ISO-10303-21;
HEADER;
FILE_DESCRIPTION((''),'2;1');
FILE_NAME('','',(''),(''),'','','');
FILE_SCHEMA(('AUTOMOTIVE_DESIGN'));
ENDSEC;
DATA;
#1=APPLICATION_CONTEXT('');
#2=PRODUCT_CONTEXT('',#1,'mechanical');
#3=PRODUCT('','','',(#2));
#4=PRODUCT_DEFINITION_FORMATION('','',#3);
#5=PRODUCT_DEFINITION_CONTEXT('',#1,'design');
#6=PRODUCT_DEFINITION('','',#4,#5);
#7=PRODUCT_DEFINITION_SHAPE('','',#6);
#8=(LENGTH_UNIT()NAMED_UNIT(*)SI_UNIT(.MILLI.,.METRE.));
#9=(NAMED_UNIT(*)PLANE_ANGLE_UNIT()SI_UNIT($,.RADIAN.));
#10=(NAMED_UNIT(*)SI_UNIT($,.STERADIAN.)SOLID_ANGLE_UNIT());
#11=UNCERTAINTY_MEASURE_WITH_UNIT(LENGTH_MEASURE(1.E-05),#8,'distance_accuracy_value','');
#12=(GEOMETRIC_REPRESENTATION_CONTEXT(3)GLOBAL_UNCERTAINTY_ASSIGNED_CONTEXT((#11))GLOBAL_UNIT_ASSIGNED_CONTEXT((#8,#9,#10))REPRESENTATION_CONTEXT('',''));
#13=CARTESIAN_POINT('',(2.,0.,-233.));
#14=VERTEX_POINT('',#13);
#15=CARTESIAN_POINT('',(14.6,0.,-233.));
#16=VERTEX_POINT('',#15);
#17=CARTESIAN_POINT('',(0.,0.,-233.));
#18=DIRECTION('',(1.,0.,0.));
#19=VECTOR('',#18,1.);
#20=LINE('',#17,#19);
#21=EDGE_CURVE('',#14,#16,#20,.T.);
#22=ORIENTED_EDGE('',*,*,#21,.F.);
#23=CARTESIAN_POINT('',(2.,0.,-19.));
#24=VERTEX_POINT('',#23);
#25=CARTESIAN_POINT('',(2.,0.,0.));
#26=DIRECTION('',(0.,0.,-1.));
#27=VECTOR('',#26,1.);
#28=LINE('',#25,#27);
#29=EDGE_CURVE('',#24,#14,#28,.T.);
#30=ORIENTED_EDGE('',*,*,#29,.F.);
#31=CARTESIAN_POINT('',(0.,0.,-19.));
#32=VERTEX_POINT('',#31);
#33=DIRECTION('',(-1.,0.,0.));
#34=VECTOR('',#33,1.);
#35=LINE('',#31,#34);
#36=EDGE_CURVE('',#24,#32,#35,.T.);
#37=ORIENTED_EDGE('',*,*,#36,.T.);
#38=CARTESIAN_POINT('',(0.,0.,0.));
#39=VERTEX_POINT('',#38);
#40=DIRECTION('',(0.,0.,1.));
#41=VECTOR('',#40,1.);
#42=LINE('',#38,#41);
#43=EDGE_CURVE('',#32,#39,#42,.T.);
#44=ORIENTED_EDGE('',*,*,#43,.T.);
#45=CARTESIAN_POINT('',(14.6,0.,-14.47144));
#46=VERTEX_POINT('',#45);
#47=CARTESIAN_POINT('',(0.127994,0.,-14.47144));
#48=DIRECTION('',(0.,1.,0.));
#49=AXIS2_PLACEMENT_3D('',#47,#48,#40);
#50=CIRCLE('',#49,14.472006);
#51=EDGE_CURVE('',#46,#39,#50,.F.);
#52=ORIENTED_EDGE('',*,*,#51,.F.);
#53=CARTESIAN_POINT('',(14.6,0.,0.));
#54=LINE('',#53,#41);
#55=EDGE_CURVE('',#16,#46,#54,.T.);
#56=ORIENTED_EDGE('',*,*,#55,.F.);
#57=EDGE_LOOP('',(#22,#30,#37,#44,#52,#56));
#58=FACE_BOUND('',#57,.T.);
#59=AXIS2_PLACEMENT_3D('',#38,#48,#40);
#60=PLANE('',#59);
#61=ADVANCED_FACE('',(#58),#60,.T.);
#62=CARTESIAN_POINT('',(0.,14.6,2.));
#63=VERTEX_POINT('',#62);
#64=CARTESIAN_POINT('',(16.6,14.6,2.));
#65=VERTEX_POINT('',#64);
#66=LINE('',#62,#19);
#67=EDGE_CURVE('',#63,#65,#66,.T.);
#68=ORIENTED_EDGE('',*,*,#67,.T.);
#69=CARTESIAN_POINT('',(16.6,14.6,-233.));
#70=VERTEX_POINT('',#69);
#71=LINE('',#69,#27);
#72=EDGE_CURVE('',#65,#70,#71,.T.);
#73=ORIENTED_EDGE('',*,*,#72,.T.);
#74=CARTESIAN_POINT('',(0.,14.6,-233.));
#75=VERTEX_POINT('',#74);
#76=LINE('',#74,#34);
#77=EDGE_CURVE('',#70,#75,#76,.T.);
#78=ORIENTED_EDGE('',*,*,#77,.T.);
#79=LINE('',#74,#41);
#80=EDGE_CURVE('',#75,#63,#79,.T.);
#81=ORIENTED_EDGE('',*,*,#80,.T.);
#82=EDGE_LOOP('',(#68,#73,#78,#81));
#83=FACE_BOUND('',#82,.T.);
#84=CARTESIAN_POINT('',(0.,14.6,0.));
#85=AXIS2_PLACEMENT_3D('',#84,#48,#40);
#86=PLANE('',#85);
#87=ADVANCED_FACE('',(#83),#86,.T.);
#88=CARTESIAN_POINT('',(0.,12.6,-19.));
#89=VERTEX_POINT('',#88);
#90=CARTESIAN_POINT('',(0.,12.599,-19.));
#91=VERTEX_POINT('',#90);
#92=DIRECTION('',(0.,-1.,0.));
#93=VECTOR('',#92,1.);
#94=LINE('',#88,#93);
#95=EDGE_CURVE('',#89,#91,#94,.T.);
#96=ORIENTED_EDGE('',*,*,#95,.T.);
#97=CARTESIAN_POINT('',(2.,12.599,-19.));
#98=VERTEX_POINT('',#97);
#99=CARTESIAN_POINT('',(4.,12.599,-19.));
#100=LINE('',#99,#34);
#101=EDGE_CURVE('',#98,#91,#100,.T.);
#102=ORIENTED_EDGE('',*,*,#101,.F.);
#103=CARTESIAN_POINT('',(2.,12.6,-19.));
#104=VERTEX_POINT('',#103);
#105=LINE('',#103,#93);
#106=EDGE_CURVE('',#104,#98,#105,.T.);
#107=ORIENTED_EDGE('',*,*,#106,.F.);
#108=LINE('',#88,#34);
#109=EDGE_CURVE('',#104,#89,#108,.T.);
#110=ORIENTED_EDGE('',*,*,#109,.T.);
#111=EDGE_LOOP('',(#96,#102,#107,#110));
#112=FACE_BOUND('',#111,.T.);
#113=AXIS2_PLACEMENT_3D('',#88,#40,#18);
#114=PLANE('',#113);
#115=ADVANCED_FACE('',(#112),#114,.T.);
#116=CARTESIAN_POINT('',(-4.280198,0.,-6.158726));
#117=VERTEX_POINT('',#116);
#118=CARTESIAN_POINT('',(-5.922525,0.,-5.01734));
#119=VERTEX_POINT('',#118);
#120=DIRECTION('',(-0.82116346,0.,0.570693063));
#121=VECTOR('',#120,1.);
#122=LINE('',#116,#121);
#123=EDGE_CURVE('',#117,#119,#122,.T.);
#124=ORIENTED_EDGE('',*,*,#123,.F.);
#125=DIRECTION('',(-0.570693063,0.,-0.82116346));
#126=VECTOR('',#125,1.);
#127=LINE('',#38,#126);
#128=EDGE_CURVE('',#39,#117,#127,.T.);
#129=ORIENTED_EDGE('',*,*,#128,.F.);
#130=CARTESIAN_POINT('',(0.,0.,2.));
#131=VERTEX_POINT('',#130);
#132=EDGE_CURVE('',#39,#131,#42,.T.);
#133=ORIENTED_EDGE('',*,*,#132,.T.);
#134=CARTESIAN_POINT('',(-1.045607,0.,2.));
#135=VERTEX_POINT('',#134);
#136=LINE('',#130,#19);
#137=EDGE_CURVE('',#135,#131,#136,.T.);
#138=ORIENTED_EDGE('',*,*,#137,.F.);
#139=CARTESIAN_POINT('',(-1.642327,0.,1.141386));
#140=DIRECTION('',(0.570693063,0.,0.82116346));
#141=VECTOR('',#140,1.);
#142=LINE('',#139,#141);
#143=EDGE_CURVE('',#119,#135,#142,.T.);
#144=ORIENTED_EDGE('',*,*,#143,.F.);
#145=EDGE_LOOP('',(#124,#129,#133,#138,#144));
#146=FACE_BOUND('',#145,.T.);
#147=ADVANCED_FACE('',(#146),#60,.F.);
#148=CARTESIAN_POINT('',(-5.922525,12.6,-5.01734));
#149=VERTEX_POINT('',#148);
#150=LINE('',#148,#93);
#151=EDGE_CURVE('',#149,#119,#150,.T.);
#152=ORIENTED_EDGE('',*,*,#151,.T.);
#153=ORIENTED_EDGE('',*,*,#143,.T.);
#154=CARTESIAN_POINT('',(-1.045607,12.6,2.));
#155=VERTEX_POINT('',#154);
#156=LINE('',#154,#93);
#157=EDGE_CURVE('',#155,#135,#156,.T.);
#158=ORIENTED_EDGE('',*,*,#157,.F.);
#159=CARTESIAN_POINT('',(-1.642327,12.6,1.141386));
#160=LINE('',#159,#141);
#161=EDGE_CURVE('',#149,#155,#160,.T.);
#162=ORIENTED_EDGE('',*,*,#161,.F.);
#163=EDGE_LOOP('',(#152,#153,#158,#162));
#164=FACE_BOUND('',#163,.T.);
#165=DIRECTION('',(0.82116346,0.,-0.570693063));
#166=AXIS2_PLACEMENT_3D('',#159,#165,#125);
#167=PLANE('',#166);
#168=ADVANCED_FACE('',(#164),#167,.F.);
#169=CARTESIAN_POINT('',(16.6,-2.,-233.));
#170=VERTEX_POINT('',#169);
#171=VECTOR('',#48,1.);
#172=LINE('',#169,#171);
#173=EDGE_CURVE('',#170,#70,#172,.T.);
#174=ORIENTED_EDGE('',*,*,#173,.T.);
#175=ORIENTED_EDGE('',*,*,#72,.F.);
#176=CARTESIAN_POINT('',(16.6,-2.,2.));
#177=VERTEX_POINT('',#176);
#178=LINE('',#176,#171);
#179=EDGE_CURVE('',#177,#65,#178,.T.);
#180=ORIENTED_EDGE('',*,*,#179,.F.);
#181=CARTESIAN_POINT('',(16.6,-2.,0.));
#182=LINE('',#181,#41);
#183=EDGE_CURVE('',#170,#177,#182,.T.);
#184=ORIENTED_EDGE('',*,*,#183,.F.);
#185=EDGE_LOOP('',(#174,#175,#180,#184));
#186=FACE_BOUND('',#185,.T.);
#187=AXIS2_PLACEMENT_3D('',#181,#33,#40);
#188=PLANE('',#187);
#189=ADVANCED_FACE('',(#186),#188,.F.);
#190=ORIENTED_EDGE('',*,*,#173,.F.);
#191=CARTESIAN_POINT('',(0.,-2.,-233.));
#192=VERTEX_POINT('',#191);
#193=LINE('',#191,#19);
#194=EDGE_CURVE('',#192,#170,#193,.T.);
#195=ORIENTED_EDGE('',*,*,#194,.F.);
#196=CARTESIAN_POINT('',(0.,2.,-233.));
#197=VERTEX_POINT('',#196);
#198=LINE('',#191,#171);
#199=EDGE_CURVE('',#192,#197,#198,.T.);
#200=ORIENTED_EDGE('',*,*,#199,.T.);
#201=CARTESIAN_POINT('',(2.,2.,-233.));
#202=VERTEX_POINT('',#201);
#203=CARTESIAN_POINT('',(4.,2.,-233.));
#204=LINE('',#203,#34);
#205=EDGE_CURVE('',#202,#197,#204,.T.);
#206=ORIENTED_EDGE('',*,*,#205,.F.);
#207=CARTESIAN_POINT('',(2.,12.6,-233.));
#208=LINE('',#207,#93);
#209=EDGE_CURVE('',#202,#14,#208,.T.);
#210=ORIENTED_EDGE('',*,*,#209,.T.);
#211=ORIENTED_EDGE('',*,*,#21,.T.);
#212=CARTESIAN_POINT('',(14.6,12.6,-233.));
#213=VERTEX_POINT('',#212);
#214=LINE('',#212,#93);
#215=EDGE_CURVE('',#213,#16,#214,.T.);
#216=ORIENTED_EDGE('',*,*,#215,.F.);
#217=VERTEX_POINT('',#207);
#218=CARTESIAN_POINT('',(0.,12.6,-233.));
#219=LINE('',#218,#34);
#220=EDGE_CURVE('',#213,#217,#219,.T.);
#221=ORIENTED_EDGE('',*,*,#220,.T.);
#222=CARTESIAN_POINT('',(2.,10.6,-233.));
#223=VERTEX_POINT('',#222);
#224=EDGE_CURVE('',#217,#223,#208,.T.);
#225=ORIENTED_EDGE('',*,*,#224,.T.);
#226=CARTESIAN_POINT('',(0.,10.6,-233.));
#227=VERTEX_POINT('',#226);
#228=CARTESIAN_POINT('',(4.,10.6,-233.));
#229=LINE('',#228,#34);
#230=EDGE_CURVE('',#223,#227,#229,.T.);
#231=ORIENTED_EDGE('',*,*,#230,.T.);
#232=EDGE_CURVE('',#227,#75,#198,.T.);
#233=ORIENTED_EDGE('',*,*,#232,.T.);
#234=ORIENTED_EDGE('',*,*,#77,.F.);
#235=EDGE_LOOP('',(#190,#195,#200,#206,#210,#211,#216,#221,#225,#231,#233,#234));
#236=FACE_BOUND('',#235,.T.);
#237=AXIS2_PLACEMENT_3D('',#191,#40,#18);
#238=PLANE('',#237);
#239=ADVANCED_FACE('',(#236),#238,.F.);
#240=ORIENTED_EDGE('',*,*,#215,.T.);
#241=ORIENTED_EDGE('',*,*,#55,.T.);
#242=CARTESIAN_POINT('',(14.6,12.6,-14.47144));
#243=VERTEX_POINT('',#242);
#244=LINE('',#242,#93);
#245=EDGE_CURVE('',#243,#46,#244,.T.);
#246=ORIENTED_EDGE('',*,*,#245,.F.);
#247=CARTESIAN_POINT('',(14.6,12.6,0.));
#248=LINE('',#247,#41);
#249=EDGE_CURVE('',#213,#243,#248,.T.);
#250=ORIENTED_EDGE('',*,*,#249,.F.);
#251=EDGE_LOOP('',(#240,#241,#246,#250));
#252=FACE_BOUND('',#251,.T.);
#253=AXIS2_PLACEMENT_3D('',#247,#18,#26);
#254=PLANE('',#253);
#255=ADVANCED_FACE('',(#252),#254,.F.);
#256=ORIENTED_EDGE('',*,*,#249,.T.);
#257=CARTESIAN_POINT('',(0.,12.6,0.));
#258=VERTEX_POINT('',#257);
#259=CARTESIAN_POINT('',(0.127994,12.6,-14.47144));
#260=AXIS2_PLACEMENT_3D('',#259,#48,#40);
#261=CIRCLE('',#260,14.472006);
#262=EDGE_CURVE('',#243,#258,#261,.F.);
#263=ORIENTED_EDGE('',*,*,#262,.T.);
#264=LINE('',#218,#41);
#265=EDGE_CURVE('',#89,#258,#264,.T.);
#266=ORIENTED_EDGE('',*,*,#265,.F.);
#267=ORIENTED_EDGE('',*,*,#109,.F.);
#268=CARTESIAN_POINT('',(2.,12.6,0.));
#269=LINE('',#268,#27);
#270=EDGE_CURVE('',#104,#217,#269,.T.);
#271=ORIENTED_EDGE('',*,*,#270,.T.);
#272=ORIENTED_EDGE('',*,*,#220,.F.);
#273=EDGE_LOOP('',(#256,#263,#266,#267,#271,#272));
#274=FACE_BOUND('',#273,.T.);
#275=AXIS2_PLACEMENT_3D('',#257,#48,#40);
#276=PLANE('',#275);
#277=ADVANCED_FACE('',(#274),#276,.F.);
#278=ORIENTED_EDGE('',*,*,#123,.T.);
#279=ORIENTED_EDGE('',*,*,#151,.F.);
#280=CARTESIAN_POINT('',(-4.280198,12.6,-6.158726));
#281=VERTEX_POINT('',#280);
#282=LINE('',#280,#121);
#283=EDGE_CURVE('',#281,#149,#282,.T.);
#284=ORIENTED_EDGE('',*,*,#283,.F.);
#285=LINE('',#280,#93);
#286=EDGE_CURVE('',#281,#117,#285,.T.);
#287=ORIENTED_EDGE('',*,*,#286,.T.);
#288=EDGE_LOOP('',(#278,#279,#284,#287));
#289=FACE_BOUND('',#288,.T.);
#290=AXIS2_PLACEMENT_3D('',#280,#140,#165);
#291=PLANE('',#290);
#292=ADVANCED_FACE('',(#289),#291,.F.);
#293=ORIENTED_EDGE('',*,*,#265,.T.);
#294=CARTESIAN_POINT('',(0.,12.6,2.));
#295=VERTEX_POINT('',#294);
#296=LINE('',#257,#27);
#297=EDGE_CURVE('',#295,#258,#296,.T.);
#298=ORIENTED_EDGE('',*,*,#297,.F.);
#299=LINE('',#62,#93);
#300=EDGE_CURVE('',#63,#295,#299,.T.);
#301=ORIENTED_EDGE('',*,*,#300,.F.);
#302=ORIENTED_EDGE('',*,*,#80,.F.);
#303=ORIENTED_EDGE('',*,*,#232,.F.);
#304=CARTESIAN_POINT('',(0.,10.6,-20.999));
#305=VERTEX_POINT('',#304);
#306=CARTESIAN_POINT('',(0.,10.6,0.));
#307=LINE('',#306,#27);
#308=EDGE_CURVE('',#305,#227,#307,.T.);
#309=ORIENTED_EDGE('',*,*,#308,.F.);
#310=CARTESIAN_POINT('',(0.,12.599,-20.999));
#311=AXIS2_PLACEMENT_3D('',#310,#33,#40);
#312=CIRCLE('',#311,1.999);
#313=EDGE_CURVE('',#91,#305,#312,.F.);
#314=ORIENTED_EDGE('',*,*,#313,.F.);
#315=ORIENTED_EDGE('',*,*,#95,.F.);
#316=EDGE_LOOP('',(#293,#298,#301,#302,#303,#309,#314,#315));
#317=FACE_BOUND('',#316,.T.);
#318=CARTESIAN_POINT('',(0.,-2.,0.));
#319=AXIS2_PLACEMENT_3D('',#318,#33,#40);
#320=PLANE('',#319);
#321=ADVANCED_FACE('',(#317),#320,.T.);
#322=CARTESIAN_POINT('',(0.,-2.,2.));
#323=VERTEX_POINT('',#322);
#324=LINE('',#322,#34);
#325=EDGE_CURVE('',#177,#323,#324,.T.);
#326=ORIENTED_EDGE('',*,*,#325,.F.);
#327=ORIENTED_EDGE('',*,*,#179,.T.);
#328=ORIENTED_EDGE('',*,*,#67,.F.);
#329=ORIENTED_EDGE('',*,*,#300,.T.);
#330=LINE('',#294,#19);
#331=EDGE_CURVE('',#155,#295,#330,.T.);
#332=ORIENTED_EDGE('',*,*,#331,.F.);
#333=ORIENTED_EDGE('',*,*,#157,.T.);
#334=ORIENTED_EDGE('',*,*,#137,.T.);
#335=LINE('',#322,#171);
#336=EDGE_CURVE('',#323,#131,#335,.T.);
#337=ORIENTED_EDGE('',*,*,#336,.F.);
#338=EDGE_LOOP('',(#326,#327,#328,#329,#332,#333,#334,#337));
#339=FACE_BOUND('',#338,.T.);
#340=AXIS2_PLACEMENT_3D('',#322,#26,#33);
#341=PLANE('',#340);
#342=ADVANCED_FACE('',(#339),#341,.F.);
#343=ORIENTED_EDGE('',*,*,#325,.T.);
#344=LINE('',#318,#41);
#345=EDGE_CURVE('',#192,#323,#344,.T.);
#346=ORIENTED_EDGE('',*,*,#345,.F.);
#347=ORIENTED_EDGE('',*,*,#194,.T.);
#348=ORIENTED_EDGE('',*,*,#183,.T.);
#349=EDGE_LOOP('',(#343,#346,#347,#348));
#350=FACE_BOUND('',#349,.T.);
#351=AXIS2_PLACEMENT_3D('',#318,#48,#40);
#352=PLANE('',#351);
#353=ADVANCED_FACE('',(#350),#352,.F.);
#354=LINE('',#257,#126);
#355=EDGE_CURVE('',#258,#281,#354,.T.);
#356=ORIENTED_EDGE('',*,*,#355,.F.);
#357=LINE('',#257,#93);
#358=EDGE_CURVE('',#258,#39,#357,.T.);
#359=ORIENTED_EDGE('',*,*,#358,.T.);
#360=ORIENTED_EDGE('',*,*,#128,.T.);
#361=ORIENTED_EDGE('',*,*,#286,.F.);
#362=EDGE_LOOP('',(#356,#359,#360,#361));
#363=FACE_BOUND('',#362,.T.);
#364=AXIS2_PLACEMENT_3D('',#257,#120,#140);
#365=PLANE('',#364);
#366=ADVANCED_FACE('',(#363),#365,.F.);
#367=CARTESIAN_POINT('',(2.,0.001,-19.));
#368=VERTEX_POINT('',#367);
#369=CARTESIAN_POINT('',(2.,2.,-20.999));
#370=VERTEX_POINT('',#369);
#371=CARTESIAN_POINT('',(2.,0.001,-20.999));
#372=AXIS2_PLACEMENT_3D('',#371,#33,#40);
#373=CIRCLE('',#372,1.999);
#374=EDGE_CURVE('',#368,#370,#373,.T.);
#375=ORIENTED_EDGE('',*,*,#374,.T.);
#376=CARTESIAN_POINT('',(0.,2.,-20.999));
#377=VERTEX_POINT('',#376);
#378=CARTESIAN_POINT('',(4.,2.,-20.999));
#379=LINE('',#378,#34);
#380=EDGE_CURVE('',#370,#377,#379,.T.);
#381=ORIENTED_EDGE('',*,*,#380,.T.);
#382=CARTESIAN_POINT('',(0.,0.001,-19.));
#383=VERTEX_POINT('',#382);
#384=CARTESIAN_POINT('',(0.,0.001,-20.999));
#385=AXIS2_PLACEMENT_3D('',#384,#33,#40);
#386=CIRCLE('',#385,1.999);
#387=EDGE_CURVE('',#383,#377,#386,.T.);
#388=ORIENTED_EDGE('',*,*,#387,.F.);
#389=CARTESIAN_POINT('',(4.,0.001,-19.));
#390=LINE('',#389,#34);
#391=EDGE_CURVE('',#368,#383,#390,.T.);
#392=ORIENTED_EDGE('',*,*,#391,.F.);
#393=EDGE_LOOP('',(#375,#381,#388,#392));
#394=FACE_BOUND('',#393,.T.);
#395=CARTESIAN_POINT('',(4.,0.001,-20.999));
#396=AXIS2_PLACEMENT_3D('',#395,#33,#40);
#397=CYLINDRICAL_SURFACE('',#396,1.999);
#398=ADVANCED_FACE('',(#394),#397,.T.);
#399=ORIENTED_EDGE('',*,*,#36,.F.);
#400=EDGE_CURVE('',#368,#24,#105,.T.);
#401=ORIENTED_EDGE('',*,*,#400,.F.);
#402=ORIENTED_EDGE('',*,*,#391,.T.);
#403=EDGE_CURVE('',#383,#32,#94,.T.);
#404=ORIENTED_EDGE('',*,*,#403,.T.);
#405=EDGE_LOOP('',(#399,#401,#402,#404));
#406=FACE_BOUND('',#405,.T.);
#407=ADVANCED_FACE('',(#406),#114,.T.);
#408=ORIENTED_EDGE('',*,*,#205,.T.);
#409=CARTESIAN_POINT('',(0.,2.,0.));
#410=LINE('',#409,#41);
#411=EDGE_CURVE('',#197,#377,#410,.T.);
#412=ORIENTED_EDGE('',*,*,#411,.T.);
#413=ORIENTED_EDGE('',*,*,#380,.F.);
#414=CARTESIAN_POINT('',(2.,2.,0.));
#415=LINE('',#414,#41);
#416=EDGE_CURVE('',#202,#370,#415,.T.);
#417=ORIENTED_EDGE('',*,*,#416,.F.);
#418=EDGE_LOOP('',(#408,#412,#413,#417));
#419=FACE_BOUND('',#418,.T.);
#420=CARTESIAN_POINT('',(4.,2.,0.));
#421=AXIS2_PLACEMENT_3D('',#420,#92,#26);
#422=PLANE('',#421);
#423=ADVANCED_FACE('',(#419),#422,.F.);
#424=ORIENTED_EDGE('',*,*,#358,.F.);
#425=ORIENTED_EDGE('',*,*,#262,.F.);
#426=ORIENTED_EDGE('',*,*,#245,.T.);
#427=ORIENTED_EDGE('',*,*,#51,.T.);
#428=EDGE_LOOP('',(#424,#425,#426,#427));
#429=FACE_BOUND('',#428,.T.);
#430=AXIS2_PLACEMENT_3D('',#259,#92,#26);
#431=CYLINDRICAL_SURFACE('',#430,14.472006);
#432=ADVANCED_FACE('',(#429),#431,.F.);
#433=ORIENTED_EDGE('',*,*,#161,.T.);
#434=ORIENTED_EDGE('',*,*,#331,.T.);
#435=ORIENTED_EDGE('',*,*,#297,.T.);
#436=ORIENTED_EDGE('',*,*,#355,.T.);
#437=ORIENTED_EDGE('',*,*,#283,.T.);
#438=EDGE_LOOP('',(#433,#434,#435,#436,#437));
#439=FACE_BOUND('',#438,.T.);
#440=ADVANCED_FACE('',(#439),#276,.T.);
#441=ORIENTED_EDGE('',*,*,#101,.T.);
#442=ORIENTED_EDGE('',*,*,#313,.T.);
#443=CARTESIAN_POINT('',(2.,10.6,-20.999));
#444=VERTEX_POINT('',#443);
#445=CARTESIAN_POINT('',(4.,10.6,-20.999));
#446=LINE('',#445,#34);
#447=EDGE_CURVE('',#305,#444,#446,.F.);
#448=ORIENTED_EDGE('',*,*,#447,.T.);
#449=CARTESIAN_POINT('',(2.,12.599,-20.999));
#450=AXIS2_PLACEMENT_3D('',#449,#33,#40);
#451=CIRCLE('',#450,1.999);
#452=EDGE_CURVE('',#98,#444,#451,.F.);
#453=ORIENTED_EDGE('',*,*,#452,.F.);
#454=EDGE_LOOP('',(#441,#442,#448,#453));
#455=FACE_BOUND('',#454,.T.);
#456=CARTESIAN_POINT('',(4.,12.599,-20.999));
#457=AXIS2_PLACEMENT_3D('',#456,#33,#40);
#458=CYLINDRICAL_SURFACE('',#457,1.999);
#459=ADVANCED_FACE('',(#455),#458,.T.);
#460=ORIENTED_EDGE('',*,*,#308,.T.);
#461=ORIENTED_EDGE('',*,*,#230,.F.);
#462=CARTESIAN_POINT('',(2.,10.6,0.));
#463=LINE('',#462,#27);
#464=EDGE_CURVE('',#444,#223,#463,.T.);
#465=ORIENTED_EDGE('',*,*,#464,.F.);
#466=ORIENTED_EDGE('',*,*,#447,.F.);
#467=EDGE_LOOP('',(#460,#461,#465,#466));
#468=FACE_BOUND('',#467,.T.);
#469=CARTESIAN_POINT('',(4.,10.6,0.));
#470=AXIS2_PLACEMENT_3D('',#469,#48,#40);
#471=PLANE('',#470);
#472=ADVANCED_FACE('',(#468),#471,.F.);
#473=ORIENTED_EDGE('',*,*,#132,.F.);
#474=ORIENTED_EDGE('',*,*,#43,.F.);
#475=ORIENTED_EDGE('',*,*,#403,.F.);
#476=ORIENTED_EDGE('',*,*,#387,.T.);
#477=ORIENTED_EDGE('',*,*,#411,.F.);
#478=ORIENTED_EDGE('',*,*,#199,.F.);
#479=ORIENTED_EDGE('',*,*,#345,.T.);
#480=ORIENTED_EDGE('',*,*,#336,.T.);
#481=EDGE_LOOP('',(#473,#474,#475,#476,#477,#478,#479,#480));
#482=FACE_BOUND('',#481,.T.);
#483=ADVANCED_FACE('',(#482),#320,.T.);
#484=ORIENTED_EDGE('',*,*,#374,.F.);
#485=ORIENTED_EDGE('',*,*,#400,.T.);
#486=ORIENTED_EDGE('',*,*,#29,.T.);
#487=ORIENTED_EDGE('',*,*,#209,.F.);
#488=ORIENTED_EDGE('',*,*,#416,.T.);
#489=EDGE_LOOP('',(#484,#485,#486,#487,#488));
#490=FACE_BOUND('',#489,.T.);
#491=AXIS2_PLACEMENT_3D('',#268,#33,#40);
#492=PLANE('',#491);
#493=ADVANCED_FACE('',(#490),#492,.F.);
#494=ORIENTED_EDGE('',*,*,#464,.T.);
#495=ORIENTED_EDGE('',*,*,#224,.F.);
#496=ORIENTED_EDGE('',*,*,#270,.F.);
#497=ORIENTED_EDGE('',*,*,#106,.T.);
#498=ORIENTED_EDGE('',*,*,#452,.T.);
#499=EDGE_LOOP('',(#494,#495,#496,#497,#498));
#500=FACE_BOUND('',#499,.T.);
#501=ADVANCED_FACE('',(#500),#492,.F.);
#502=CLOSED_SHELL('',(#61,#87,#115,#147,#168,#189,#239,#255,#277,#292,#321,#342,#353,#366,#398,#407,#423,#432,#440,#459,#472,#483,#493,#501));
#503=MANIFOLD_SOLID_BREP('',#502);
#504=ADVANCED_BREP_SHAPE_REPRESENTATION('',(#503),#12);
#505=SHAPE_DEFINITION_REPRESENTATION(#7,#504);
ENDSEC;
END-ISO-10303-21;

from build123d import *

# Parameters (mm, degrees)
SKETCH1_W           = 16.6
SKETCH1_H           = 235
BOSS_EXTRUDE1_DEPTH = 2
SKETCH1_6_W         = 2
SKETCH1_6_H         = 214
BOSS_EXTRUDE3_DEPTH = 12.6
SKETCH3_W           = 16.6
SKETCH3_H           = 235
BOSS_EXTRUDE4_DEPTH = 2
SKETCH4_W           = 214
SKETCH4_H           = 8.6
CUT_EXTRUDE1_DEPTH  = 4
CUT_EXTRUDE2_DEPTH  = 4


with BuildPart() as part:
    # Sketch1 → Boss-Extrude1 (new body)
    with BuildSketch(Plane(origin=(0, 0, 0), x_dir=(1, 0, 0), z_dir=(0, 1, 0))):
        with Locations((8.3, 115.5)):
            Rectangle(SKETCH1_W, SKETCH1_H)
    extrude(amount=-BOSS_EXTRUDE1_DEPTH)

    # Sketch1<6> → Boss-Extrude3 (add)
    with BuildSketch(Plane(origin=(0, 0, 0), x_dir=(1, 0, 0), z_dir=(0, 1, 0))):
        with BuildLine():
            Line((-1.045606528, -2), (16.6, -2))
            Line((16.6, -2), (16.6, 233))
            Line((16.6, 233), (14.6, 233))
            Line((14.6, 233), (14.6, 14.47143967))
            ThreePointArc((14.6, 14.47143967), (10.315894346, 4.193033104), (0, 0))
            Line((0, 0), (-4.280197972, 6.15872595))
            Line((-4.280197972, 6.15872595), (-5.922524892, 5.017339824))
            Line((-5.922524892, 5.017339824), (-1.045606528, -2))
        make_face()
        with Locations((1, 126)):
            Rectangle(SKETCH1_6_W, SKETCH1_6_H)
    extrude(amount=BOSS_EXTRUDE3_DEPTH)

    # Sketch3 → Boss-Extrude4 (add)
    with BuildSketch(Plane(origin=(0, 12.6, 0), x_dir=(1, 0, 0), z_dir=(0, 1, 0))):
        with Locations((8.3, 115.5)):
            Rectangle(SKETCH3_W, SKETCH3_H)
    extrude(amount=BOSS_EXTRUDE4_DEPTH)

    # Sketch4 → Cut-Extrude1 (cut)
    with BuildSketch(Plane.ZY):
        with Locations((-126, 6.3)):
            Rectangle(SKETCH4_W, SKETCH4_H)
    extrude(amount=-CUT_EXTRUDE1_DEPTH, mode=Mode.SUBTRACT)

    # Sketch6 → Cut-Extrude2 (cut)
    with BuildSketch(Plane.ZY):
        with BuildLine():
            ThreePointArc((-20.999, 2), (-19.585493544, 1.414506456), (-19, 0.001))
            Line((-19, 0.001), (-19, 2))
            Line((-19, 2), (-20.999, 2))
        make_face()
        with BuildLine():
            Line((-19, 10.6), (-19, 12.599))
            ThreePointArc((-19, 12.599), (-19.585493544, 11.185493544), (-20.999, 10.6))
            Line((-20.999, 10.6), (-19, 10.6))
        make_face()
    extrude(amount=-CUT_EXTRUDE2_DEPTH, mode=Mode.SUBTRACT)


solid = part.part
